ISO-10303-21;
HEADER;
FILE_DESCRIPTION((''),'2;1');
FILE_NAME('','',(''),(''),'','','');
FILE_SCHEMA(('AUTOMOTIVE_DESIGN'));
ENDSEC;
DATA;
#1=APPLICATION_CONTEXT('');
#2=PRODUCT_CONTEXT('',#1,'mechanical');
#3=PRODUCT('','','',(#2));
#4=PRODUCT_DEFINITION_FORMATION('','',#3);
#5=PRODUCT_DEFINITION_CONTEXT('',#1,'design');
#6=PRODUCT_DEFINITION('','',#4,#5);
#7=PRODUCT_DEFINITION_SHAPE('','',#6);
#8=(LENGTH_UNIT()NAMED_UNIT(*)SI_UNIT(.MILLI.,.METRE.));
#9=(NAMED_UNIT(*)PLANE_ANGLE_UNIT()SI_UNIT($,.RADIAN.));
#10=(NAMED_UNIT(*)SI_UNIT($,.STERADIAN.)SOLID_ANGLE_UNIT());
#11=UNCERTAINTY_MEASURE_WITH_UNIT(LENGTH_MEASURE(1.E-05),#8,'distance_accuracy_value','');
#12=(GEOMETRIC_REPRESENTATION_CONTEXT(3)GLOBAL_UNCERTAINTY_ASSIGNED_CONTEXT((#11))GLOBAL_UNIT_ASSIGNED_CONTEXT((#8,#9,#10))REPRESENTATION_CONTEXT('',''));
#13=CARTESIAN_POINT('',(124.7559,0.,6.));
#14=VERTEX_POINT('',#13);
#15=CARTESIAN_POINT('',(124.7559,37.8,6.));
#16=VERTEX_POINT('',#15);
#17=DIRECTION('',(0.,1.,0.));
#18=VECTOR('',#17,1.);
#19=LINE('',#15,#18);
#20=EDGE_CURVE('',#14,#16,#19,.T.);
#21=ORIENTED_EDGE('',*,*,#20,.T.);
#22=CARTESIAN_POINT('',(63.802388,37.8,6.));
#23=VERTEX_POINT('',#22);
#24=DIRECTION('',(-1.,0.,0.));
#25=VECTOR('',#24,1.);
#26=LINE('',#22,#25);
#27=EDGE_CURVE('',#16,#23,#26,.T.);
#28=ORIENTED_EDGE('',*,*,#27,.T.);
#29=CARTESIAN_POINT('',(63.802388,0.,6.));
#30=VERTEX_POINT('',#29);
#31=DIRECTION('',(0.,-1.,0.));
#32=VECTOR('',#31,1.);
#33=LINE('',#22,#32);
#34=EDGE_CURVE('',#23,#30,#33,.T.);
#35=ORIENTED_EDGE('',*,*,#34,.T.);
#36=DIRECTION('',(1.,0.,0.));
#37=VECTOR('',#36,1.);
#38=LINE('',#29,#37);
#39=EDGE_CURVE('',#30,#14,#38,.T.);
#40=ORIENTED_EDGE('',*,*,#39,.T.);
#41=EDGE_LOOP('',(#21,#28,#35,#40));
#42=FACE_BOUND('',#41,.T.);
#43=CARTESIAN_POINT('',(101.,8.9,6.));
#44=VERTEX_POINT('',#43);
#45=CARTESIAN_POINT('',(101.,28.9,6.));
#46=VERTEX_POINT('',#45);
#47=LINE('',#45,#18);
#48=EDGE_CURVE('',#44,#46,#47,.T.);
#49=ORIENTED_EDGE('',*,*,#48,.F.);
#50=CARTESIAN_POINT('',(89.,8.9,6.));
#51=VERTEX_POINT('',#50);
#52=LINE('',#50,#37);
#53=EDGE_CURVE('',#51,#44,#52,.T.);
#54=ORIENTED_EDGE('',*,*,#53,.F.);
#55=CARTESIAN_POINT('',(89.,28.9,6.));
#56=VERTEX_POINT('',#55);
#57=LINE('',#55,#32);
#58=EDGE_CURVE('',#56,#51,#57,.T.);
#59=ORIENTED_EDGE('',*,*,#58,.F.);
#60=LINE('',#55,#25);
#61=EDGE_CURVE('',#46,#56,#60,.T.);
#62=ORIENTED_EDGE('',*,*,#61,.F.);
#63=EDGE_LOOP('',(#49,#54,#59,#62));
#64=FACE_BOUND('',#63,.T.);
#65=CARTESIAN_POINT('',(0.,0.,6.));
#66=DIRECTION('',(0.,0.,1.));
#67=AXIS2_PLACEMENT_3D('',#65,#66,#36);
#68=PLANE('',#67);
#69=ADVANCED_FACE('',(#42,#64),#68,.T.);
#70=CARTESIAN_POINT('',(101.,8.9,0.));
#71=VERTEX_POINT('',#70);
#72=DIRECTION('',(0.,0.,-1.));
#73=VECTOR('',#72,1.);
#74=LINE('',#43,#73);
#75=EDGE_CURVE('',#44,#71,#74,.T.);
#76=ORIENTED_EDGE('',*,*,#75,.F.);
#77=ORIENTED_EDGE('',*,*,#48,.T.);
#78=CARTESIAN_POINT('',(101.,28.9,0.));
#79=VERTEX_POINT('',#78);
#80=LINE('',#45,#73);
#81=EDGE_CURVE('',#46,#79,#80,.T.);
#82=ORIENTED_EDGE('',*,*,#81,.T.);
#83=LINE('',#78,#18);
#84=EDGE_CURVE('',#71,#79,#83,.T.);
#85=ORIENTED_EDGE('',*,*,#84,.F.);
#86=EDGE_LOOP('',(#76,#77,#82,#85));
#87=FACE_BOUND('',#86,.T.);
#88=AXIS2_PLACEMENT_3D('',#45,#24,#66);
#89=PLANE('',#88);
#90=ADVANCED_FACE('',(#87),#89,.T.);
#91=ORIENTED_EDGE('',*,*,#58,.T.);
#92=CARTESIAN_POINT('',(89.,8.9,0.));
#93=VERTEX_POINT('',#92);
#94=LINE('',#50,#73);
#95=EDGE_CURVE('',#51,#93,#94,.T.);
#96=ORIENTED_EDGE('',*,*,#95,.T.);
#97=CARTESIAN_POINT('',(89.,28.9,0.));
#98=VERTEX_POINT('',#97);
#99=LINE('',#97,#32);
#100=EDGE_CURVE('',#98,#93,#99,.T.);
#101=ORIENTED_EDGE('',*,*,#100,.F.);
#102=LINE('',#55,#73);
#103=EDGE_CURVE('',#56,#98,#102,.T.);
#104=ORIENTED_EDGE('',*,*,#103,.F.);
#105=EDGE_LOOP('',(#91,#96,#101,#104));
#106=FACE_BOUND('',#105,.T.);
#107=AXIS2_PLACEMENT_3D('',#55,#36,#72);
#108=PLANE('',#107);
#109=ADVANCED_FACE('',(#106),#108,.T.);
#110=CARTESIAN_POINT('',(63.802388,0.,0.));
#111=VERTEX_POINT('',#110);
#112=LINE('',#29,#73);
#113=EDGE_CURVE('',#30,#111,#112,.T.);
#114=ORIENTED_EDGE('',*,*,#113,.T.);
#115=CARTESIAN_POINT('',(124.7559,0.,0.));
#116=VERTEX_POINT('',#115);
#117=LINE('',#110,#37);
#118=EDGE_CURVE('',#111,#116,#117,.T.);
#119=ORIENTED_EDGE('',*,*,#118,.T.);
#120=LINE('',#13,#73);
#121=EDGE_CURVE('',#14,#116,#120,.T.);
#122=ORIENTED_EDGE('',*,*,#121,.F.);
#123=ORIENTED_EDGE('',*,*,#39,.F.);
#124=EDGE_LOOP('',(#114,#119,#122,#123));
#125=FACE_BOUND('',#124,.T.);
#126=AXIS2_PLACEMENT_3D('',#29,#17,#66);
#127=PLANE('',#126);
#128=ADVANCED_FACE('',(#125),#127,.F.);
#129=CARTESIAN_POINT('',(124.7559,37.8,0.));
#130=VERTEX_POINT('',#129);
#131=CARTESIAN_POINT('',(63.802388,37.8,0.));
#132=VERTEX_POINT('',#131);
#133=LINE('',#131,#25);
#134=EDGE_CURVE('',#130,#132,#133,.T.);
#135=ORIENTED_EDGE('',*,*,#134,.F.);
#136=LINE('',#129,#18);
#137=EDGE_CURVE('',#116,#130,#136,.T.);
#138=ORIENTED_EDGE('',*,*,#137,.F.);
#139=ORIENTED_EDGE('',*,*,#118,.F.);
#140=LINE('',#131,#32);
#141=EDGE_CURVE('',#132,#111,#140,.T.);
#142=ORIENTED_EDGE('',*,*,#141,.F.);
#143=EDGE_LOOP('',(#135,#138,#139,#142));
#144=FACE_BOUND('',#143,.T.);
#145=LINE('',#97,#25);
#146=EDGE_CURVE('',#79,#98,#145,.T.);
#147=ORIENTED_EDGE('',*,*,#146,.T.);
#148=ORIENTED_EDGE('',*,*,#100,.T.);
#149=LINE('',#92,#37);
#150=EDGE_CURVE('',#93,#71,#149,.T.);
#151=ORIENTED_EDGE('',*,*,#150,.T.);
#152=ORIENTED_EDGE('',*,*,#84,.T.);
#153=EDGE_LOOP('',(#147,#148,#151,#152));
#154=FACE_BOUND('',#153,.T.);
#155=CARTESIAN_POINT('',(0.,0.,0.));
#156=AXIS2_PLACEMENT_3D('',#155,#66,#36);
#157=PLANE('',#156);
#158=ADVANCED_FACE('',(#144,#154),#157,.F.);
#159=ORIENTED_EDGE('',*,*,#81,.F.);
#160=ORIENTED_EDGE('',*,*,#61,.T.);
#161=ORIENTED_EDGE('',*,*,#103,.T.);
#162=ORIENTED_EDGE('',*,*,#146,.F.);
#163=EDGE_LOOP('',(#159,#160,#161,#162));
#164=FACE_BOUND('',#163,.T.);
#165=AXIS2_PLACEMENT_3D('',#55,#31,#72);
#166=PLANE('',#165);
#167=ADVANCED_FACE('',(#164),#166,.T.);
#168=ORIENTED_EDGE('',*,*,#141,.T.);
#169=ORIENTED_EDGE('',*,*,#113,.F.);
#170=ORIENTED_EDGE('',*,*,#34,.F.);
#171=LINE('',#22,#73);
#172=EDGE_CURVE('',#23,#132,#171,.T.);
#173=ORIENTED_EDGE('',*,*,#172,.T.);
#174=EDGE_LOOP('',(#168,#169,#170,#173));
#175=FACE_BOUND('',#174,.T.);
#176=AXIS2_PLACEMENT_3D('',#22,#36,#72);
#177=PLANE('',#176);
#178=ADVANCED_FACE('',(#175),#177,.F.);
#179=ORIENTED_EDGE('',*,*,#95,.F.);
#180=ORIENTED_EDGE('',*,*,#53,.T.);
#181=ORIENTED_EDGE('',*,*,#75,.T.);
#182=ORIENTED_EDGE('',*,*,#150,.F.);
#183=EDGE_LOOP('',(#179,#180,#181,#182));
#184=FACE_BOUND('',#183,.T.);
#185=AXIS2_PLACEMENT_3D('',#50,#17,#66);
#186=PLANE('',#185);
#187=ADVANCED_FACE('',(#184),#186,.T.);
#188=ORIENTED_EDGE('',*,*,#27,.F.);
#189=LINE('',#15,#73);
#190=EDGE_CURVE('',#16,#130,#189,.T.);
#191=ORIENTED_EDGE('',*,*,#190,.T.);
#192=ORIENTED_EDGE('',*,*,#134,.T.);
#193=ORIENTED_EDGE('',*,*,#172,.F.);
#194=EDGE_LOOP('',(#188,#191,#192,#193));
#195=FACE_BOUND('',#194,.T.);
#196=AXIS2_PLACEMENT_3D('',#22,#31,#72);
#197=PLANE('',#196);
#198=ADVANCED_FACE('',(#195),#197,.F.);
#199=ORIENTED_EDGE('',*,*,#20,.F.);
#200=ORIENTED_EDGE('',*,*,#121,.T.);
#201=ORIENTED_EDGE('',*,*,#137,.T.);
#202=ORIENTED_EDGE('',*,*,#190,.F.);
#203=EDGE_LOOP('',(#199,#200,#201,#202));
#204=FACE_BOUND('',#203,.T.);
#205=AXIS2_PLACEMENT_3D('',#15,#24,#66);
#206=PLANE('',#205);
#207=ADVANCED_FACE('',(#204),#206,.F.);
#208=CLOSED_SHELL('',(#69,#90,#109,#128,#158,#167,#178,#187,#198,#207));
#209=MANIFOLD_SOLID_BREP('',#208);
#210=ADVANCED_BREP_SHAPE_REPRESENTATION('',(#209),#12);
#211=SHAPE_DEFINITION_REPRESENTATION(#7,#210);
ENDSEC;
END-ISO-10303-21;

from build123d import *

# Parameters (mm, degrees)
SKETCH1_W           = 60.953511789
SKETCH1_H           = 37.8
SKETCH1_W_2         = 12
SKETCH1_H_2         = 20
BOSS_EXTRUDE1_DEPTH = 6


with BuildPart() as part:
    # Sketch1 → Boss-Extrude1 (new body)
    with BuildSketch(Plane.XY):
        with Locations((94.27914375, 18.9)):
            Rectangle(SKETCH1_W, SKETCH1_H)
        with Locations((95, 18.9)):
            Rectangle(SKETCH1_W_2, SKETCH1_H_2, mode=Mode.SUBTRACT)
    extrude(amount=BOSS_EXTRUDE1_DEPTH)


solid = part.part
